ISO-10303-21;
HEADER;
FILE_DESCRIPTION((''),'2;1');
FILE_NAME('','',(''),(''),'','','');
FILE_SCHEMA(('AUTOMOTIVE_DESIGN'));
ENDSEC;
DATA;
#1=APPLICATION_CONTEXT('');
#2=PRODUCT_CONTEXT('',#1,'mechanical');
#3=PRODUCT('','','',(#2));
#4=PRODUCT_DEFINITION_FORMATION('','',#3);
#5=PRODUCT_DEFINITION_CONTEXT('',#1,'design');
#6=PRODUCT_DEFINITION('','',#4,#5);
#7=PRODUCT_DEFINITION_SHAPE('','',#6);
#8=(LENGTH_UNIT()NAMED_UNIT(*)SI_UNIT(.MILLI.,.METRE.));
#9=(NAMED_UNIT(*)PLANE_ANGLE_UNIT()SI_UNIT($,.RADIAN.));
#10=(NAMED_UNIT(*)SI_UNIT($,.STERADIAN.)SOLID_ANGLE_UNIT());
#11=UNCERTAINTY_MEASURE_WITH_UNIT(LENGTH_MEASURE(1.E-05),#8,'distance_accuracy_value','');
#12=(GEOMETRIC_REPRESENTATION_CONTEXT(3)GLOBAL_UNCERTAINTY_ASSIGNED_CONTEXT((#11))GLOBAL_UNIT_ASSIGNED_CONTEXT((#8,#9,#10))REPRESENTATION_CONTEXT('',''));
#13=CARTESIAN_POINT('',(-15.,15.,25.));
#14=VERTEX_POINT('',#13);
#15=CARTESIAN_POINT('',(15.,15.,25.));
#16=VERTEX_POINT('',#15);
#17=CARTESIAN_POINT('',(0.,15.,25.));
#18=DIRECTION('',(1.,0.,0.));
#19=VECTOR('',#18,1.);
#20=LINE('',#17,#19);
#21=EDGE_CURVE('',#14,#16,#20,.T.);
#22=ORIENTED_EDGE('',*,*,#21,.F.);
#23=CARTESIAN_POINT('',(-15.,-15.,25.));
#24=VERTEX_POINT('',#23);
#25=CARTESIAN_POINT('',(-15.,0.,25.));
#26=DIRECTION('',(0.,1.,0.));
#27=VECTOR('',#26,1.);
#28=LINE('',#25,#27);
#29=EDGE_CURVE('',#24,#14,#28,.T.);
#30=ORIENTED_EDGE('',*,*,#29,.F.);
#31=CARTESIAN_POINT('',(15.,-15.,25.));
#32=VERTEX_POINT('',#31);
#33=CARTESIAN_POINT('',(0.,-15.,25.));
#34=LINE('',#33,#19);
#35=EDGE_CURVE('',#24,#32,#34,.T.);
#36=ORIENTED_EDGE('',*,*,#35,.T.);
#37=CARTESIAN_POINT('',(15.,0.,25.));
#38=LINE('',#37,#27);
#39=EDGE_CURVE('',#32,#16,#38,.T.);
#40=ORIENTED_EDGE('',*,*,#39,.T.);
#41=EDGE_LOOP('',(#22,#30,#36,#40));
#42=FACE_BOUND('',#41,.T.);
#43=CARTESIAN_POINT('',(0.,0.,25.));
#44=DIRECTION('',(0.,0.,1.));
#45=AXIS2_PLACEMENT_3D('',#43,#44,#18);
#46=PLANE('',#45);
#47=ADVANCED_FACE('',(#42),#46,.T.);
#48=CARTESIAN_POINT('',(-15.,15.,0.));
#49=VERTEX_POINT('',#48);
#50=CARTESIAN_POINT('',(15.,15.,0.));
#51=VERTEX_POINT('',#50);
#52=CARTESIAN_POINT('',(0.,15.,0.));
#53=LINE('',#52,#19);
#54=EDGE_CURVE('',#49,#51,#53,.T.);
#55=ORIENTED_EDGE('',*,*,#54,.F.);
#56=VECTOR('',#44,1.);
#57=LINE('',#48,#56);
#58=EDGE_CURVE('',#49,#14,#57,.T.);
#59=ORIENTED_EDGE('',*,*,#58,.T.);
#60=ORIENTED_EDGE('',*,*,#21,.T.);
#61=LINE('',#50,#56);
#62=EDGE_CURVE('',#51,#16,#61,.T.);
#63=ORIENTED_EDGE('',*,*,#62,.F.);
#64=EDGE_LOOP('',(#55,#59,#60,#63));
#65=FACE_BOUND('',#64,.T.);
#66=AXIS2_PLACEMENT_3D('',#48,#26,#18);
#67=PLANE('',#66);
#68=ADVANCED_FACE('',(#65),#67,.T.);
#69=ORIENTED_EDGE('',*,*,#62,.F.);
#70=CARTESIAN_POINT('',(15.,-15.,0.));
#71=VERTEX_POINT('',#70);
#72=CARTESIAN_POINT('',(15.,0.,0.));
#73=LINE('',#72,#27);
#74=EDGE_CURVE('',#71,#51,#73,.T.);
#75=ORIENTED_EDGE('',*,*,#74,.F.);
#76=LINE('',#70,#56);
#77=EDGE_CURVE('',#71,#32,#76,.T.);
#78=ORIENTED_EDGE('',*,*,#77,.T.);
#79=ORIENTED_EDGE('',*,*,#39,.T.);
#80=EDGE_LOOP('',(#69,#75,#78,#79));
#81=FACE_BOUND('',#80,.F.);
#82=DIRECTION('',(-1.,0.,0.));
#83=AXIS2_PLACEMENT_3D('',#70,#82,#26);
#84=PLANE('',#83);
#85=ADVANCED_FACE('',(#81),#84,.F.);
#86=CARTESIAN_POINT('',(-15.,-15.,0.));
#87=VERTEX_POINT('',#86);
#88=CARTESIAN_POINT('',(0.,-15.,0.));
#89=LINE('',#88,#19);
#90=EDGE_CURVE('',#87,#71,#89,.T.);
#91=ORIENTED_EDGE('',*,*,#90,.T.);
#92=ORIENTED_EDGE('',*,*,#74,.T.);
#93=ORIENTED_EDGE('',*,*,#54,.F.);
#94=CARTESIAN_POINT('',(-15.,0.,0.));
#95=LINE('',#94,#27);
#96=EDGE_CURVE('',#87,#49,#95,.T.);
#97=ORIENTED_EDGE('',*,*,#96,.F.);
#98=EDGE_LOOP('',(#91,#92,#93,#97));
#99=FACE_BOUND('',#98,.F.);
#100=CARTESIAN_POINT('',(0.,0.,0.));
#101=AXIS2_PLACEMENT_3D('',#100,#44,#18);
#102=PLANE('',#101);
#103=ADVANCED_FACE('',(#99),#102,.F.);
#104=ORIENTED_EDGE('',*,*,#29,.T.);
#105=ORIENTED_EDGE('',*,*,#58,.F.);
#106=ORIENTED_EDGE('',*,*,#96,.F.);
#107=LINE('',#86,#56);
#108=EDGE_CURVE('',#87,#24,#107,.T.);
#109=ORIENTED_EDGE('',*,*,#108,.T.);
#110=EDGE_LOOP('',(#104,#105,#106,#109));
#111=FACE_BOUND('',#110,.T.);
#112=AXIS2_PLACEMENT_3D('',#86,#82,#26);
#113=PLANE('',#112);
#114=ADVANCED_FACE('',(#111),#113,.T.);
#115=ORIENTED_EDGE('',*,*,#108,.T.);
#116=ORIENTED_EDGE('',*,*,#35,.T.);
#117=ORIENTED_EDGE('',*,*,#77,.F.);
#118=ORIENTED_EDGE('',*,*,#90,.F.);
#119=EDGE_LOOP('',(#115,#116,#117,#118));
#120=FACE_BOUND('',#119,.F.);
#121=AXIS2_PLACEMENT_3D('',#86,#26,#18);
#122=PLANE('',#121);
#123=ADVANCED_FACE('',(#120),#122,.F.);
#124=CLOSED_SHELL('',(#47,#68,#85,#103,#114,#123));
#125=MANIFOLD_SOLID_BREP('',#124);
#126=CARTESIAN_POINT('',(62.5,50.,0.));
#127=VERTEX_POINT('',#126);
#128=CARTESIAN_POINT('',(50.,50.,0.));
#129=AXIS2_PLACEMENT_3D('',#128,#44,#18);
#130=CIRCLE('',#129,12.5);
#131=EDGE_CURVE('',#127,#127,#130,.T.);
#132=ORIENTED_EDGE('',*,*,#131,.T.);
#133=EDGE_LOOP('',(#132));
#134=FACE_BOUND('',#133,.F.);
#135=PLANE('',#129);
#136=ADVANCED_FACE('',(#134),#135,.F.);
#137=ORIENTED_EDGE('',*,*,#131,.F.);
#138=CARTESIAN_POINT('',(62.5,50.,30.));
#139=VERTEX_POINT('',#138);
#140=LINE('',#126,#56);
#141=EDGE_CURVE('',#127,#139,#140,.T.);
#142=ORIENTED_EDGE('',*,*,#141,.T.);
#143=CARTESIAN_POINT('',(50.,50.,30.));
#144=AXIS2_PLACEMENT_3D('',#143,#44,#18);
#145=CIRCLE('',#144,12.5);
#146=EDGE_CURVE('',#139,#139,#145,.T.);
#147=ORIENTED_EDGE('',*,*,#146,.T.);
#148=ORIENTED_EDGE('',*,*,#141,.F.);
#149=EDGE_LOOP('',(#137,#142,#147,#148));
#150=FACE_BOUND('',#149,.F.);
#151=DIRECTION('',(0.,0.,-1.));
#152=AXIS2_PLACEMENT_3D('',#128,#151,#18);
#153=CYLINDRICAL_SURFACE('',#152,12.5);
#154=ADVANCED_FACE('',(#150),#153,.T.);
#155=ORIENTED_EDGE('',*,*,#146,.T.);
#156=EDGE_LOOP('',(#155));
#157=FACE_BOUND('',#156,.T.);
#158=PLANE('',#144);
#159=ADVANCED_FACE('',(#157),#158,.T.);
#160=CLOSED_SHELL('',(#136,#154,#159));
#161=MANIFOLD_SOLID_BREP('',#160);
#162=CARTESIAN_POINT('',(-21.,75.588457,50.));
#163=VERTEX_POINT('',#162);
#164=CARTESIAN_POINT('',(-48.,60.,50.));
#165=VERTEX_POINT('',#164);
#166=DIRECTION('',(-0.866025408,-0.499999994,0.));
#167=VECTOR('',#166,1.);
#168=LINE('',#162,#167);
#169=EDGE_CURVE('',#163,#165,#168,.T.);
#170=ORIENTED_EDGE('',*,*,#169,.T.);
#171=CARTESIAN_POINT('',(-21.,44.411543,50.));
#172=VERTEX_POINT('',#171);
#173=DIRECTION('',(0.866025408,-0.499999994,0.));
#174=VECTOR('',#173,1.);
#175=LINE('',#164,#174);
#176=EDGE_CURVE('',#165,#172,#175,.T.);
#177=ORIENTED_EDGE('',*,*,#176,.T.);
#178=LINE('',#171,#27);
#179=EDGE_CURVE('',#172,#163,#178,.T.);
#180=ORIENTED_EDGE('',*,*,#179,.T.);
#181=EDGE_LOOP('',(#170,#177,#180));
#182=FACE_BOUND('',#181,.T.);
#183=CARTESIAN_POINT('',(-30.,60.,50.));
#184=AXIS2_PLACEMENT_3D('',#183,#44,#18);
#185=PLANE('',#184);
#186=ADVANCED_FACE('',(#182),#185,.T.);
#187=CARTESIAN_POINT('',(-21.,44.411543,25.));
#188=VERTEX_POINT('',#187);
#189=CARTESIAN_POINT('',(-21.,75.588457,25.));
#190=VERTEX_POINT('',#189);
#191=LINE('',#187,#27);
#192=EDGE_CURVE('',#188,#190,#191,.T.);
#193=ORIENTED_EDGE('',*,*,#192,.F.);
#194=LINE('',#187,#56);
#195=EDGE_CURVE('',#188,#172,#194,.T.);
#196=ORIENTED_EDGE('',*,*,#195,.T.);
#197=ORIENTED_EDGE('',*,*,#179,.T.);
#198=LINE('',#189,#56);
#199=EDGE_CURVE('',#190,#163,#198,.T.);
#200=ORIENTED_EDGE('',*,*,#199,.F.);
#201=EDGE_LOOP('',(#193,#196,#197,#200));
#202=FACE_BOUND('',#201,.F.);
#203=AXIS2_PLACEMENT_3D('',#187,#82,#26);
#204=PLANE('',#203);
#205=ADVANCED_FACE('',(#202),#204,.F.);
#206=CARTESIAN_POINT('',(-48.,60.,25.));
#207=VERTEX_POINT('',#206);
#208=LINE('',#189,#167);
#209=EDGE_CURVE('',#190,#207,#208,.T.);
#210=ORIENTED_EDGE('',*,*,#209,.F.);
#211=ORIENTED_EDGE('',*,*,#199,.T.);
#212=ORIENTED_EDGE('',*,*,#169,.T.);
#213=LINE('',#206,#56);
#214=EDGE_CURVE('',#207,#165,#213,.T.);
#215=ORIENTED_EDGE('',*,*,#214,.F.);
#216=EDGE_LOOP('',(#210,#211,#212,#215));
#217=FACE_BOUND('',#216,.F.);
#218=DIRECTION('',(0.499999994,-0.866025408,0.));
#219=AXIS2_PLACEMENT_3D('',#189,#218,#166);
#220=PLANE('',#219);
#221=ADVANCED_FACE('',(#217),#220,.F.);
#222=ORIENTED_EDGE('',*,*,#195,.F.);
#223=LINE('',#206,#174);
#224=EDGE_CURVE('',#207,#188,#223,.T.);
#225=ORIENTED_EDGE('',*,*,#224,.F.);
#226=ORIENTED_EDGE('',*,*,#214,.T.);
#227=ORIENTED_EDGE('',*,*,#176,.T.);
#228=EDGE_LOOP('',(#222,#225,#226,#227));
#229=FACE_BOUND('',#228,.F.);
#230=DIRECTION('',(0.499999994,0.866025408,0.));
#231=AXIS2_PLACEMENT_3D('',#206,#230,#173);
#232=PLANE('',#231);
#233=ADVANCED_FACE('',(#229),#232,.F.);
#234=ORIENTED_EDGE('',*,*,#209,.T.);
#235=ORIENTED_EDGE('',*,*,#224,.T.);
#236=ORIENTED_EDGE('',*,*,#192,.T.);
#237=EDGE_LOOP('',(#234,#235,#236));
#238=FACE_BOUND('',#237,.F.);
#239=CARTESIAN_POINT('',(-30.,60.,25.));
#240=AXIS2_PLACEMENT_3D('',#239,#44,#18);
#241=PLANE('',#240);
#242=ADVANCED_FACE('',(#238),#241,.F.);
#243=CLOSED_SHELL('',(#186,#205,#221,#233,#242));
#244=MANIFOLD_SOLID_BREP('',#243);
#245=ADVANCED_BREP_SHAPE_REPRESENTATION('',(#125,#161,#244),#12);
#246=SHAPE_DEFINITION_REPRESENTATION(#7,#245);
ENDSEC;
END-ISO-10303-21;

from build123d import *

# Parameters (mm, degrees)
F0_W     = 30
F0_H     = 30
F1_DEPTH = 25
F0_R     = 12.5
F2_DEPTH = 30
F5_DEPTH = 25


with BuildPart() as f1:
    # F0 (on Top) → F1 (new body)
    with BuildSketch(Plane.XY):
        Rectangle(F0_W, F0_H)
    extrude(amount=F1_DEPTH)


with BuildPart() as f2:
    # F0 (on Top) → F2 (new body)
    with BuildSketch(Plane.XY):
        with Locations((50, 50)):
            Circle(F0_R)
    extrude(amount=F2_DEPTH)


with BuildPart() as f5:
    # F4 (on offset) → F5 (new body)
    with BuildSketch(Plane.XY.offset(25)):
        Polygon((-48, 60), (-21, 44.411543), (-21, 75.588457), align=None)
    extrude(amount=F5_DEPTH)


solid = Compound([f1.part, f2.part, f5.part])
